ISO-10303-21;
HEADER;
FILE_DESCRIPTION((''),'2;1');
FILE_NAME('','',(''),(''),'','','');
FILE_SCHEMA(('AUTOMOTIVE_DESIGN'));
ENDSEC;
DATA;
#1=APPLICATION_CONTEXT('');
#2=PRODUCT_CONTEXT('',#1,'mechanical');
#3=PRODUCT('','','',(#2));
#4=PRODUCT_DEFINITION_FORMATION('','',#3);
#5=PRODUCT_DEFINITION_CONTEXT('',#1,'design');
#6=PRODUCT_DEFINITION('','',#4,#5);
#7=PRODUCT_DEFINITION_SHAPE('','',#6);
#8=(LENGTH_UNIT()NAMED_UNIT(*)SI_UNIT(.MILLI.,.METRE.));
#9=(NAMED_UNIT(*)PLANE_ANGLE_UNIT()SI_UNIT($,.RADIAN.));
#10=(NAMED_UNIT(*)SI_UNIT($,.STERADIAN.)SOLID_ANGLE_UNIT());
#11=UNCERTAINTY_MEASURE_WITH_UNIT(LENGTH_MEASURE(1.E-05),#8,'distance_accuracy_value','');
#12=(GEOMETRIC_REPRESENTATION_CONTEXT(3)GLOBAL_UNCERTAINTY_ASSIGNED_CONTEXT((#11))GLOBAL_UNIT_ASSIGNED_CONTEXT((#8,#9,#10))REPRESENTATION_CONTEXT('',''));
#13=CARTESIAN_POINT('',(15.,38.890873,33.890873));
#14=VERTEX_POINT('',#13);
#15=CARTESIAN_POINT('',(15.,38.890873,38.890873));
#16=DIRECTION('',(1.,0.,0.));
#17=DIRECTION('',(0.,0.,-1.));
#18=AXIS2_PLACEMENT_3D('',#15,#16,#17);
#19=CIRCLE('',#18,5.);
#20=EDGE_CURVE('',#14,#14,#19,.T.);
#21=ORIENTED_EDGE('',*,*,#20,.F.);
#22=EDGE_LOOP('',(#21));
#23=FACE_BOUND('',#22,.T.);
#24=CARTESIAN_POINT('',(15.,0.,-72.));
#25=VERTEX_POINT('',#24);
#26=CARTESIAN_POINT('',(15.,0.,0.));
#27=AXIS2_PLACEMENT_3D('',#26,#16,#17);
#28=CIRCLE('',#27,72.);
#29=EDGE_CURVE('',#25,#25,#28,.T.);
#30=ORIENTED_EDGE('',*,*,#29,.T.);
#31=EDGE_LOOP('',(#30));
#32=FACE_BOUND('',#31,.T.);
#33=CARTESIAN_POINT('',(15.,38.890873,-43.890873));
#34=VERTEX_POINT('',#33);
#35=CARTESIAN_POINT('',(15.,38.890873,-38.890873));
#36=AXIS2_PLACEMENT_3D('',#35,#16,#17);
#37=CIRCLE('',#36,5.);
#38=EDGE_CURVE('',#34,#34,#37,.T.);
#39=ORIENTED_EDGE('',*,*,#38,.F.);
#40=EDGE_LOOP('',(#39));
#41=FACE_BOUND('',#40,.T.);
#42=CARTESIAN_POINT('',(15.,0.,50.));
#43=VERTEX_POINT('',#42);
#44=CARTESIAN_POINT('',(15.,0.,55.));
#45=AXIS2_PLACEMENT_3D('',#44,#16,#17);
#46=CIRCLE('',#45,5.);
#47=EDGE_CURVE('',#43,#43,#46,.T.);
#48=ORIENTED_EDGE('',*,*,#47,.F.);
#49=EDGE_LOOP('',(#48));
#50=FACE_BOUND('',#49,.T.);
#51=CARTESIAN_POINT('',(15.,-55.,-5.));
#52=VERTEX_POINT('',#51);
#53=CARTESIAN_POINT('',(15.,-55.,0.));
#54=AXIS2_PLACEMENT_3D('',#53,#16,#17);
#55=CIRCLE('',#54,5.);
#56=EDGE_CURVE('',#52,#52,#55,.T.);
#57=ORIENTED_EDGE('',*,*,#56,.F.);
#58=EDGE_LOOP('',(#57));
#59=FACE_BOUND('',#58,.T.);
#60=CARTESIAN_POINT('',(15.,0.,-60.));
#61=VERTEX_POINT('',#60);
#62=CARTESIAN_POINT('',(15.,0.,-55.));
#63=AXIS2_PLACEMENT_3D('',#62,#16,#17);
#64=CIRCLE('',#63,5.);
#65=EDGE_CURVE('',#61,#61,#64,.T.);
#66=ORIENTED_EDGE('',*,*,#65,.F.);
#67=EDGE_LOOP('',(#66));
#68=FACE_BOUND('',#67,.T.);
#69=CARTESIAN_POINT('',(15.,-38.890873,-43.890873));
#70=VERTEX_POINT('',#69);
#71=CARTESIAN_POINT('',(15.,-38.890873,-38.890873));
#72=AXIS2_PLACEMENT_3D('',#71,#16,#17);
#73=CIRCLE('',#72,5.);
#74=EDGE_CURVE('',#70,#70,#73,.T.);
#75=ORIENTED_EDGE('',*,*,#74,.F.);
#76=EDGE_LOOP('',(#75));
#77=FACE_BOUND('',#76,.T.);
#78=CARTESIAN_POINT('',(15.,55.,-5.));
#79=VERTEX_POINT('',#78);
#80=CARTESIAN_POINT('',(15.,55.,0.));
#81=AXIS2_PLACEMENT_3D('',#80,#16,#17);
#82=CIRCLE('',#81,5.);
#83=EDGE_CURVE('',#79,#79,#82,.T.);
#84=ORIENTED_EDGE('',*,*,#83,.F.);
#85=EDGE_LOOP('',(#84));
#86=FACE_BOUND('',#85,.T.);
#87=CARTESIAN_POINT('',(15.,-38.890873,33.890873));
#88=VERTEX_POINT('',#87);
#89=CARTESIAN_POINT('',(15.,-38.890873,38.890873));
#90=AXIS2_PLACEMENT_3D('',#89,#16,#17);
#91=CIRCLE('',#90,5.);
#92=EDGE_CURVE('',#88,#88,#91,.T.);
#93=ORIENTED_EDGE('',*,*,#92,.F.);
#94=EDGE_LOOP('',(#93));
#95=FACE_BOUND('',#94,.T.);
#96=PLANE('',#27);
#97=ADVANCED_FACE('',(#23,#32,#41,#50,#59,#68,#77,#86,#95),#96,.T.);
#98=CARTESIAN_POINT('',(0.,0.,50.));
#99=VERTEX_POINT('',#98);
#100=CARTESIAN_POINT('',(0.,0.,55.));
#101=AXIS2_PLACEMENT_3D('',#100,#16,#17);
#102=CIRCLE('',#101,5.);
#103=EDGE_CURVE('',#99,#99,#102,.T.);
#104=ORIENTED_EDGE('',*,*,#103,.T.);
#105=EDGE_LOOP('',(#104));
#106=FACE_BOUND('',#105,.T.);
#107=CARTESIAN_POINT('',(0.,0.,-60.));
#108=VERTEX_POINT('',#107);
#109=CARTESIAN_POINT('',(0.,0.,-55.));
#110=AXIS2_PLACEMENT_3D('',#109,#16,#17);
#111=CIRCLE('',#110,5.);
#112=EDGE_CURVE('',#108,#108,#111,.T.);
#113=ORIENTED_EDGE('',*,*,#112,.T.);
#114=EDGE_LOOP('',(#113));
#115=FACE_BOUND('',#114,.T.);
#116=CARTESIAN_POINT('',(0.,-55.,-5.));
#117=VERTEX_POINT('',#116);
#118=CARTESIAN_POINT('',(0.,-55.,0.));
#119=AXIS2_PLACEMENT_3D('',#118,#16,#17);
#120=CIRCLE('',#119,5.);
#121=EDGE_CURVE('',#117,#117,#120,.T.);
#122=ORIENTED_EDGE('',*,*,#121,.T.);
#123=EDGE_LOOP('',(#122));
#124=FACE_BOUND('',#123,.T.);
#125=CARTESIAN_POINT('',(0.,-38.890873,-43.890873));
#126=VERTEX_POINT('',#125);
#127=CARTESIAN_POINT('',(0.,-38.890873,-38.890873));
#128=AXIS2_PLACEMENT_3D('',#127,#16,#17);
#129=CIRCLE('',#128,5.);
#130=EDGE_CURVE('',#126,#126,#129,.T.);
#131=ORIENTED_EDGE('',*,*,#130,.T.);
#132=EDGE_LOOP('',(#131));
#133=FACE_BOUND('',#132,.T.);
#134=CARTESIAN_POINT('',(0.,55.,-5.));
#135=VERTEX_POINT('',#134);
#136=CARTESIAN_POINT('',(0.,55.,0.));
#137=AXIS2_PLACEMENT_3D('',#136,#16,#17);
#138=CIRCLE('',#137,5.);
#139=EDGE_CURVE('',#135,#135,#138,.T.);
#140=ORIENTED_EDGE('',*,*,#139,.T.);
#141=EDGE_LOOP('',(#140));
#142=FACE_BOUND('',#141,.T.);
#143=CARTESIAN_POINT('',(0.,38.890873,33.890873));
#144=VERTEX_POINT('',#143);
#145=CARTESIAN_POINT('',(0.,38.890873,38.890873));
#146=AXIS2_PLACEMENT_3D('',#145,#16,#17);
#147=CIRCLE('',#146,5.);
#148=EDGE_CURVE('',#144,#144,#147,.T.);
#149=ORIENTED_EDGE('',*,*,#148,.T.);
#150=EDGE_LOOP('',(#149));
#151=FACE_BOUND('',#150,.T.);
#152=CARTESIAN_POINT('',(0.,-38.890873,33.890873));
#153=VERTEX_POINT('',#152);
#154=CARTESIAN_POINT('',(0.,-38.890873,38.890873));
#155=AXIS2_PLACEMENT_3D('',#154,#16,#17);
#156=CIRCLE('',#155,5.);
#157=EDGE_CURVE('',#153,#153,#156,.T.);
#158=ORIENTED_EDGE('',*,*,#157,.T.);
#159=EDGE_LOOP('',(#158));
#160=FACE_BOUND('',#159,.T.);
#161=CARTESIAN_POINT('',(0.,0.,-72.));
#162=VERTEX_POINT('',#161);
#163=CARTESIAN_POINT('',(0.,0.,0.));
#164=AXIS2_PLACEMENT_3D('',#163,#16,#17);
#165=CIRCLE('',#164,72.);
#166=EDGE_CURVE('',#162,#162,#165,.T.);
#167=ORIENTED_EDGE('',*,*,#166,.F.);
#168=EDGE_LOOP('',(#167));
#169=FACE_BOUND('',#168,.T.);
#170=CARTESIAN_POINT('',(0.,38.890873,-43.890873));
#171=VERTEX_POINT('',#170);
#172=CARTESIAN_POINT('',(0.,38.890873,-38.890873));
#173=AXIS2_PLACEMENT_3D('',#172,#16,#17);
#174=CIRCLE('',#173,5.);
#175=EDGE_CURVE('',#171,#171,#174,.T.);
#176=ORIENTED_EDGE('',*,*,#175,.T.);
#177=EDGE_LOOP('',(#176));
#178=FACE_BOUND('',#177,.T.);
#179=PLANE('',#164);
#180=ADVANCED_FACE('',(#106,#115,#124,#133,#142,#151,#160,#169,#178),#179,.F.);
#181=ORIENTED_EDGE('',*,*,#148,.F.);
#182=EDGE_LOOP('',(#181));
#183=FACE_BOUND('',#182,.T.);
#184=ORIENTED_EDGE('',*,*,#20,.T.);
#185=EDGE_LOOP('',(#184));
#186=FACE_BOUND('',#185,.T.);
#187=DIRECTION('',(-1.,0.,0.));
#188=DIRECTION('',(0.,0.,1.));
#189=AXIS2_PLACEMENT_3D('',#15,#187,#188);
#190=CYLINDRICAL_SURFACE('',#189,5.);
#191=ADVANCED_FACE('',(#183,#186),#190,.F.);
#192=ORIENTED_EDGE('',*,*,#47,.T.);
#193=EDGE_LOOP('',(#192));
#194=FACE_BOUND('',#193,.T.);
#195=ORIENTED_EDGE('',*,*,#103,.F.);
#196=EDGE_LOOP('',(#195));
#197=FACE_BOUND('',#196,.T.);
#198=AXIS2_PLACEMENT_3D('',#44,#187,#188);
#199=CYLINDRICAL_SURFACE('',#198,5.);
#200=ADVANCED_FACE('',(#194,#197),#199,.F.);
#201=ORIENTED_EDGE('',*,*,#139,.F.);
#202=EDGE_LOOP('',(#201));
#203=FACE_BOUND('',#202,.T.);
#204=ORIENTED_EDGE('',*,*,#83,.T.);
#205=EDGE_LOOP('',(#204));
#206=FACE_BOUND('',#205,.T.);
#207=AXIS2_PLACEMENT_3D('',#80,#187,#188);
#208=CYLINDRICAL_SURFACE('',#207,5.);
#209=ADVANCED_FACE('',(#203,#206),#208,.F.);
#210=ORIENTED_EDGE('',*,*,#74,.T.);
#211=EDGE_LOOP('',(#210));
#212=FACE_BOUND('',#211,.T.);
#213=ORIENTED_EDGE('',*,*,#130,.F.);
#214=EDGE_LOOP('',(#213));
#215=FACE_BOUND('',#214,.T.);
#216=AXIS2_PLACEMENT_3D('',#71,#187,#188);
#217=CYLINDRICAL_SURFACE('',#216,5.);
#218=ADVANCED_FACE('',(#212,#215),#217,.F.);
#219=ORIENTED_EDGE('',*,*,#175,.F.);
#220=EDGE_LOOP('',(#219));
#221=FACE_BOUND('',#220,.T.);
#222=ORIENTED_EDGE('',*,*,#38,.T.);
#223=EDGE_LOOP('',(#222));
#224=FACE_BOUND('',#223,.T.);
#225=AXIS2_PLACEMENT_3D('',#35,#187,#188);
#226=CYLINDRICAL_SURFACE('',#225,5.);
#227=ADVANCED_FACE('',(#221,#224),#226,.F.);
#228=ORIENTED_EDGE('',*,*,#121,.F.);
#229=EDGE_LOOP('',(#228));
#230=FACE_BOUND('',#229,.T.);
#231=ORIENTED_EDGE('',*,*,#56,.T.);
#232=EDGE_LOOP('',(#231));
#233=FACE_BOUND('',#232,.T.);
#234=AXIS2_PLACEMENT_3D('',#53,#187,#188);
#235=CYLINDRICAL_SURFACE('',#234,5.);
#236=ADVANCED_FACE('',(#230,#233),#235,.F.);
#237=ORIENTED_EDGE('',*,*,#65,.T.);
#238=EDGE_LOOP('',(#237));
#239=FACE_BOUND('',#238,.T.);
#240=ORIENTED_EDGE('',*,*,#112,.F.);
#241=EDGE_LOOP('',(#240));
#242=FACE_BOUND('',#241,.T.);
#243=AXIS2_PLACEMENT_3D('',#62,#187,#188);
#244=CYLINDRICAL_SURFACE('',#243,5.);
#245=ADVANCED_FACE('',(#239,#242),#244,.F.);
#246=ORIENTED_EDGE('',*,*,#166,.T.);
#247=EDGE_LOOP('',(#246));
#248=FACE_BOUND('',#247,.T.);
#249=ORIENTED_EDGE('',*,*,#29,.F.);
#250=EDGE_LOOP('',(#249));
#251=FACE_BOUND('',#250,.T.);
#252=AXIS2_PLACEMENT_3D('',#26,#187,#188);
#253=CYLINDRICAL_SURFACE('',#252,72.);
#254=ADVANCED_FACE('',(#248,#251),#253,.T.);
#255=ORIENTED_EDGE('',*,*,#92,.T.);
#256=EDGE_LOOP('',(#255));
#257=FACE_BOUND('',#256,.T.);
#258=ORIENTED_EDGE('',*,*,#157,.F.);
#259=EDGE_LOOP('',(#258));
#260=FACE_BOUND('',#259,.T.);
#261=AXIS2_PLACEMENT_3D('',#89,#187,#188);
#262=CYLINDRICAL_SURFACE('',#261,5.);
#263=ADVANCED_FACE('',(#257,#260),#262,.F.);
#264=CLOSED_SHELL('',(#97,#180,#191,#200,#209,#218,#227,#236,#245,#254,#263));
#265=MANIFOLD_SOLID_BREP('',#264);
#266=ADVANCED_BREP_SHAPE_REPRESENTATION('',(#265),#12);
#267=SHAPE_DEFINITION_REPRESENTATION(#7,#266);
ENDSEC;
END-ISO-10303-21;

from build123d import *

# Parameters (mm, degrees)
SKETCH2_R           = 72
SKETCH2_R_2         = 5
BOSS_EXTRUDE1_DEPTH = 15


with BuildPart() as part:
    # Sketch2 → Boss-Extrude1 (new body)
    with BuildSketch(Plane(origin=(0, 0, 0), x_dir=(0, 0, -1), z_dir=(1, 0, 0))):
        Circle(SKETCH2_R)
        with Locations((0, 55)):
            Circle(SKETCH2_R_2, mode=Mode.SUBTRACT)
        with Locations((38.890872965, 38.890872965)):
            Circle(SKETCH2_R_2, mode=Mode.SUBTRACT)
        with Locations((55, 0)):
            Circle(SKETCH2_R_2, mode=Mode.SUBTRACT)
        with Locations((38.890872965, -38.890872965)):
            Circle(SKETCH2_R_2, mode=Mode.SUBTRACT)
        with Locations((0, -55)):
            Circle(SKETCH2_R_2, mode=Mode.SUBTRACT)
        with Locations((-38.890872965, -38.890872965)):
            Circle(SKETCH2_R_2, mode=Mode.SUBTRACT)
        with Locations((-55, 0)):
            Circle(SKETCH2_R_2, mode=Mode.SUBTRACT)
        with Locations((-38.890872965, 38.890872965)):
            Circle(SKETCH2_R_2, mode=Mode.SUBTRACT)
    extrude(amount=BOSS_EXTRUDE1_DEPTH)


solid = part.part
